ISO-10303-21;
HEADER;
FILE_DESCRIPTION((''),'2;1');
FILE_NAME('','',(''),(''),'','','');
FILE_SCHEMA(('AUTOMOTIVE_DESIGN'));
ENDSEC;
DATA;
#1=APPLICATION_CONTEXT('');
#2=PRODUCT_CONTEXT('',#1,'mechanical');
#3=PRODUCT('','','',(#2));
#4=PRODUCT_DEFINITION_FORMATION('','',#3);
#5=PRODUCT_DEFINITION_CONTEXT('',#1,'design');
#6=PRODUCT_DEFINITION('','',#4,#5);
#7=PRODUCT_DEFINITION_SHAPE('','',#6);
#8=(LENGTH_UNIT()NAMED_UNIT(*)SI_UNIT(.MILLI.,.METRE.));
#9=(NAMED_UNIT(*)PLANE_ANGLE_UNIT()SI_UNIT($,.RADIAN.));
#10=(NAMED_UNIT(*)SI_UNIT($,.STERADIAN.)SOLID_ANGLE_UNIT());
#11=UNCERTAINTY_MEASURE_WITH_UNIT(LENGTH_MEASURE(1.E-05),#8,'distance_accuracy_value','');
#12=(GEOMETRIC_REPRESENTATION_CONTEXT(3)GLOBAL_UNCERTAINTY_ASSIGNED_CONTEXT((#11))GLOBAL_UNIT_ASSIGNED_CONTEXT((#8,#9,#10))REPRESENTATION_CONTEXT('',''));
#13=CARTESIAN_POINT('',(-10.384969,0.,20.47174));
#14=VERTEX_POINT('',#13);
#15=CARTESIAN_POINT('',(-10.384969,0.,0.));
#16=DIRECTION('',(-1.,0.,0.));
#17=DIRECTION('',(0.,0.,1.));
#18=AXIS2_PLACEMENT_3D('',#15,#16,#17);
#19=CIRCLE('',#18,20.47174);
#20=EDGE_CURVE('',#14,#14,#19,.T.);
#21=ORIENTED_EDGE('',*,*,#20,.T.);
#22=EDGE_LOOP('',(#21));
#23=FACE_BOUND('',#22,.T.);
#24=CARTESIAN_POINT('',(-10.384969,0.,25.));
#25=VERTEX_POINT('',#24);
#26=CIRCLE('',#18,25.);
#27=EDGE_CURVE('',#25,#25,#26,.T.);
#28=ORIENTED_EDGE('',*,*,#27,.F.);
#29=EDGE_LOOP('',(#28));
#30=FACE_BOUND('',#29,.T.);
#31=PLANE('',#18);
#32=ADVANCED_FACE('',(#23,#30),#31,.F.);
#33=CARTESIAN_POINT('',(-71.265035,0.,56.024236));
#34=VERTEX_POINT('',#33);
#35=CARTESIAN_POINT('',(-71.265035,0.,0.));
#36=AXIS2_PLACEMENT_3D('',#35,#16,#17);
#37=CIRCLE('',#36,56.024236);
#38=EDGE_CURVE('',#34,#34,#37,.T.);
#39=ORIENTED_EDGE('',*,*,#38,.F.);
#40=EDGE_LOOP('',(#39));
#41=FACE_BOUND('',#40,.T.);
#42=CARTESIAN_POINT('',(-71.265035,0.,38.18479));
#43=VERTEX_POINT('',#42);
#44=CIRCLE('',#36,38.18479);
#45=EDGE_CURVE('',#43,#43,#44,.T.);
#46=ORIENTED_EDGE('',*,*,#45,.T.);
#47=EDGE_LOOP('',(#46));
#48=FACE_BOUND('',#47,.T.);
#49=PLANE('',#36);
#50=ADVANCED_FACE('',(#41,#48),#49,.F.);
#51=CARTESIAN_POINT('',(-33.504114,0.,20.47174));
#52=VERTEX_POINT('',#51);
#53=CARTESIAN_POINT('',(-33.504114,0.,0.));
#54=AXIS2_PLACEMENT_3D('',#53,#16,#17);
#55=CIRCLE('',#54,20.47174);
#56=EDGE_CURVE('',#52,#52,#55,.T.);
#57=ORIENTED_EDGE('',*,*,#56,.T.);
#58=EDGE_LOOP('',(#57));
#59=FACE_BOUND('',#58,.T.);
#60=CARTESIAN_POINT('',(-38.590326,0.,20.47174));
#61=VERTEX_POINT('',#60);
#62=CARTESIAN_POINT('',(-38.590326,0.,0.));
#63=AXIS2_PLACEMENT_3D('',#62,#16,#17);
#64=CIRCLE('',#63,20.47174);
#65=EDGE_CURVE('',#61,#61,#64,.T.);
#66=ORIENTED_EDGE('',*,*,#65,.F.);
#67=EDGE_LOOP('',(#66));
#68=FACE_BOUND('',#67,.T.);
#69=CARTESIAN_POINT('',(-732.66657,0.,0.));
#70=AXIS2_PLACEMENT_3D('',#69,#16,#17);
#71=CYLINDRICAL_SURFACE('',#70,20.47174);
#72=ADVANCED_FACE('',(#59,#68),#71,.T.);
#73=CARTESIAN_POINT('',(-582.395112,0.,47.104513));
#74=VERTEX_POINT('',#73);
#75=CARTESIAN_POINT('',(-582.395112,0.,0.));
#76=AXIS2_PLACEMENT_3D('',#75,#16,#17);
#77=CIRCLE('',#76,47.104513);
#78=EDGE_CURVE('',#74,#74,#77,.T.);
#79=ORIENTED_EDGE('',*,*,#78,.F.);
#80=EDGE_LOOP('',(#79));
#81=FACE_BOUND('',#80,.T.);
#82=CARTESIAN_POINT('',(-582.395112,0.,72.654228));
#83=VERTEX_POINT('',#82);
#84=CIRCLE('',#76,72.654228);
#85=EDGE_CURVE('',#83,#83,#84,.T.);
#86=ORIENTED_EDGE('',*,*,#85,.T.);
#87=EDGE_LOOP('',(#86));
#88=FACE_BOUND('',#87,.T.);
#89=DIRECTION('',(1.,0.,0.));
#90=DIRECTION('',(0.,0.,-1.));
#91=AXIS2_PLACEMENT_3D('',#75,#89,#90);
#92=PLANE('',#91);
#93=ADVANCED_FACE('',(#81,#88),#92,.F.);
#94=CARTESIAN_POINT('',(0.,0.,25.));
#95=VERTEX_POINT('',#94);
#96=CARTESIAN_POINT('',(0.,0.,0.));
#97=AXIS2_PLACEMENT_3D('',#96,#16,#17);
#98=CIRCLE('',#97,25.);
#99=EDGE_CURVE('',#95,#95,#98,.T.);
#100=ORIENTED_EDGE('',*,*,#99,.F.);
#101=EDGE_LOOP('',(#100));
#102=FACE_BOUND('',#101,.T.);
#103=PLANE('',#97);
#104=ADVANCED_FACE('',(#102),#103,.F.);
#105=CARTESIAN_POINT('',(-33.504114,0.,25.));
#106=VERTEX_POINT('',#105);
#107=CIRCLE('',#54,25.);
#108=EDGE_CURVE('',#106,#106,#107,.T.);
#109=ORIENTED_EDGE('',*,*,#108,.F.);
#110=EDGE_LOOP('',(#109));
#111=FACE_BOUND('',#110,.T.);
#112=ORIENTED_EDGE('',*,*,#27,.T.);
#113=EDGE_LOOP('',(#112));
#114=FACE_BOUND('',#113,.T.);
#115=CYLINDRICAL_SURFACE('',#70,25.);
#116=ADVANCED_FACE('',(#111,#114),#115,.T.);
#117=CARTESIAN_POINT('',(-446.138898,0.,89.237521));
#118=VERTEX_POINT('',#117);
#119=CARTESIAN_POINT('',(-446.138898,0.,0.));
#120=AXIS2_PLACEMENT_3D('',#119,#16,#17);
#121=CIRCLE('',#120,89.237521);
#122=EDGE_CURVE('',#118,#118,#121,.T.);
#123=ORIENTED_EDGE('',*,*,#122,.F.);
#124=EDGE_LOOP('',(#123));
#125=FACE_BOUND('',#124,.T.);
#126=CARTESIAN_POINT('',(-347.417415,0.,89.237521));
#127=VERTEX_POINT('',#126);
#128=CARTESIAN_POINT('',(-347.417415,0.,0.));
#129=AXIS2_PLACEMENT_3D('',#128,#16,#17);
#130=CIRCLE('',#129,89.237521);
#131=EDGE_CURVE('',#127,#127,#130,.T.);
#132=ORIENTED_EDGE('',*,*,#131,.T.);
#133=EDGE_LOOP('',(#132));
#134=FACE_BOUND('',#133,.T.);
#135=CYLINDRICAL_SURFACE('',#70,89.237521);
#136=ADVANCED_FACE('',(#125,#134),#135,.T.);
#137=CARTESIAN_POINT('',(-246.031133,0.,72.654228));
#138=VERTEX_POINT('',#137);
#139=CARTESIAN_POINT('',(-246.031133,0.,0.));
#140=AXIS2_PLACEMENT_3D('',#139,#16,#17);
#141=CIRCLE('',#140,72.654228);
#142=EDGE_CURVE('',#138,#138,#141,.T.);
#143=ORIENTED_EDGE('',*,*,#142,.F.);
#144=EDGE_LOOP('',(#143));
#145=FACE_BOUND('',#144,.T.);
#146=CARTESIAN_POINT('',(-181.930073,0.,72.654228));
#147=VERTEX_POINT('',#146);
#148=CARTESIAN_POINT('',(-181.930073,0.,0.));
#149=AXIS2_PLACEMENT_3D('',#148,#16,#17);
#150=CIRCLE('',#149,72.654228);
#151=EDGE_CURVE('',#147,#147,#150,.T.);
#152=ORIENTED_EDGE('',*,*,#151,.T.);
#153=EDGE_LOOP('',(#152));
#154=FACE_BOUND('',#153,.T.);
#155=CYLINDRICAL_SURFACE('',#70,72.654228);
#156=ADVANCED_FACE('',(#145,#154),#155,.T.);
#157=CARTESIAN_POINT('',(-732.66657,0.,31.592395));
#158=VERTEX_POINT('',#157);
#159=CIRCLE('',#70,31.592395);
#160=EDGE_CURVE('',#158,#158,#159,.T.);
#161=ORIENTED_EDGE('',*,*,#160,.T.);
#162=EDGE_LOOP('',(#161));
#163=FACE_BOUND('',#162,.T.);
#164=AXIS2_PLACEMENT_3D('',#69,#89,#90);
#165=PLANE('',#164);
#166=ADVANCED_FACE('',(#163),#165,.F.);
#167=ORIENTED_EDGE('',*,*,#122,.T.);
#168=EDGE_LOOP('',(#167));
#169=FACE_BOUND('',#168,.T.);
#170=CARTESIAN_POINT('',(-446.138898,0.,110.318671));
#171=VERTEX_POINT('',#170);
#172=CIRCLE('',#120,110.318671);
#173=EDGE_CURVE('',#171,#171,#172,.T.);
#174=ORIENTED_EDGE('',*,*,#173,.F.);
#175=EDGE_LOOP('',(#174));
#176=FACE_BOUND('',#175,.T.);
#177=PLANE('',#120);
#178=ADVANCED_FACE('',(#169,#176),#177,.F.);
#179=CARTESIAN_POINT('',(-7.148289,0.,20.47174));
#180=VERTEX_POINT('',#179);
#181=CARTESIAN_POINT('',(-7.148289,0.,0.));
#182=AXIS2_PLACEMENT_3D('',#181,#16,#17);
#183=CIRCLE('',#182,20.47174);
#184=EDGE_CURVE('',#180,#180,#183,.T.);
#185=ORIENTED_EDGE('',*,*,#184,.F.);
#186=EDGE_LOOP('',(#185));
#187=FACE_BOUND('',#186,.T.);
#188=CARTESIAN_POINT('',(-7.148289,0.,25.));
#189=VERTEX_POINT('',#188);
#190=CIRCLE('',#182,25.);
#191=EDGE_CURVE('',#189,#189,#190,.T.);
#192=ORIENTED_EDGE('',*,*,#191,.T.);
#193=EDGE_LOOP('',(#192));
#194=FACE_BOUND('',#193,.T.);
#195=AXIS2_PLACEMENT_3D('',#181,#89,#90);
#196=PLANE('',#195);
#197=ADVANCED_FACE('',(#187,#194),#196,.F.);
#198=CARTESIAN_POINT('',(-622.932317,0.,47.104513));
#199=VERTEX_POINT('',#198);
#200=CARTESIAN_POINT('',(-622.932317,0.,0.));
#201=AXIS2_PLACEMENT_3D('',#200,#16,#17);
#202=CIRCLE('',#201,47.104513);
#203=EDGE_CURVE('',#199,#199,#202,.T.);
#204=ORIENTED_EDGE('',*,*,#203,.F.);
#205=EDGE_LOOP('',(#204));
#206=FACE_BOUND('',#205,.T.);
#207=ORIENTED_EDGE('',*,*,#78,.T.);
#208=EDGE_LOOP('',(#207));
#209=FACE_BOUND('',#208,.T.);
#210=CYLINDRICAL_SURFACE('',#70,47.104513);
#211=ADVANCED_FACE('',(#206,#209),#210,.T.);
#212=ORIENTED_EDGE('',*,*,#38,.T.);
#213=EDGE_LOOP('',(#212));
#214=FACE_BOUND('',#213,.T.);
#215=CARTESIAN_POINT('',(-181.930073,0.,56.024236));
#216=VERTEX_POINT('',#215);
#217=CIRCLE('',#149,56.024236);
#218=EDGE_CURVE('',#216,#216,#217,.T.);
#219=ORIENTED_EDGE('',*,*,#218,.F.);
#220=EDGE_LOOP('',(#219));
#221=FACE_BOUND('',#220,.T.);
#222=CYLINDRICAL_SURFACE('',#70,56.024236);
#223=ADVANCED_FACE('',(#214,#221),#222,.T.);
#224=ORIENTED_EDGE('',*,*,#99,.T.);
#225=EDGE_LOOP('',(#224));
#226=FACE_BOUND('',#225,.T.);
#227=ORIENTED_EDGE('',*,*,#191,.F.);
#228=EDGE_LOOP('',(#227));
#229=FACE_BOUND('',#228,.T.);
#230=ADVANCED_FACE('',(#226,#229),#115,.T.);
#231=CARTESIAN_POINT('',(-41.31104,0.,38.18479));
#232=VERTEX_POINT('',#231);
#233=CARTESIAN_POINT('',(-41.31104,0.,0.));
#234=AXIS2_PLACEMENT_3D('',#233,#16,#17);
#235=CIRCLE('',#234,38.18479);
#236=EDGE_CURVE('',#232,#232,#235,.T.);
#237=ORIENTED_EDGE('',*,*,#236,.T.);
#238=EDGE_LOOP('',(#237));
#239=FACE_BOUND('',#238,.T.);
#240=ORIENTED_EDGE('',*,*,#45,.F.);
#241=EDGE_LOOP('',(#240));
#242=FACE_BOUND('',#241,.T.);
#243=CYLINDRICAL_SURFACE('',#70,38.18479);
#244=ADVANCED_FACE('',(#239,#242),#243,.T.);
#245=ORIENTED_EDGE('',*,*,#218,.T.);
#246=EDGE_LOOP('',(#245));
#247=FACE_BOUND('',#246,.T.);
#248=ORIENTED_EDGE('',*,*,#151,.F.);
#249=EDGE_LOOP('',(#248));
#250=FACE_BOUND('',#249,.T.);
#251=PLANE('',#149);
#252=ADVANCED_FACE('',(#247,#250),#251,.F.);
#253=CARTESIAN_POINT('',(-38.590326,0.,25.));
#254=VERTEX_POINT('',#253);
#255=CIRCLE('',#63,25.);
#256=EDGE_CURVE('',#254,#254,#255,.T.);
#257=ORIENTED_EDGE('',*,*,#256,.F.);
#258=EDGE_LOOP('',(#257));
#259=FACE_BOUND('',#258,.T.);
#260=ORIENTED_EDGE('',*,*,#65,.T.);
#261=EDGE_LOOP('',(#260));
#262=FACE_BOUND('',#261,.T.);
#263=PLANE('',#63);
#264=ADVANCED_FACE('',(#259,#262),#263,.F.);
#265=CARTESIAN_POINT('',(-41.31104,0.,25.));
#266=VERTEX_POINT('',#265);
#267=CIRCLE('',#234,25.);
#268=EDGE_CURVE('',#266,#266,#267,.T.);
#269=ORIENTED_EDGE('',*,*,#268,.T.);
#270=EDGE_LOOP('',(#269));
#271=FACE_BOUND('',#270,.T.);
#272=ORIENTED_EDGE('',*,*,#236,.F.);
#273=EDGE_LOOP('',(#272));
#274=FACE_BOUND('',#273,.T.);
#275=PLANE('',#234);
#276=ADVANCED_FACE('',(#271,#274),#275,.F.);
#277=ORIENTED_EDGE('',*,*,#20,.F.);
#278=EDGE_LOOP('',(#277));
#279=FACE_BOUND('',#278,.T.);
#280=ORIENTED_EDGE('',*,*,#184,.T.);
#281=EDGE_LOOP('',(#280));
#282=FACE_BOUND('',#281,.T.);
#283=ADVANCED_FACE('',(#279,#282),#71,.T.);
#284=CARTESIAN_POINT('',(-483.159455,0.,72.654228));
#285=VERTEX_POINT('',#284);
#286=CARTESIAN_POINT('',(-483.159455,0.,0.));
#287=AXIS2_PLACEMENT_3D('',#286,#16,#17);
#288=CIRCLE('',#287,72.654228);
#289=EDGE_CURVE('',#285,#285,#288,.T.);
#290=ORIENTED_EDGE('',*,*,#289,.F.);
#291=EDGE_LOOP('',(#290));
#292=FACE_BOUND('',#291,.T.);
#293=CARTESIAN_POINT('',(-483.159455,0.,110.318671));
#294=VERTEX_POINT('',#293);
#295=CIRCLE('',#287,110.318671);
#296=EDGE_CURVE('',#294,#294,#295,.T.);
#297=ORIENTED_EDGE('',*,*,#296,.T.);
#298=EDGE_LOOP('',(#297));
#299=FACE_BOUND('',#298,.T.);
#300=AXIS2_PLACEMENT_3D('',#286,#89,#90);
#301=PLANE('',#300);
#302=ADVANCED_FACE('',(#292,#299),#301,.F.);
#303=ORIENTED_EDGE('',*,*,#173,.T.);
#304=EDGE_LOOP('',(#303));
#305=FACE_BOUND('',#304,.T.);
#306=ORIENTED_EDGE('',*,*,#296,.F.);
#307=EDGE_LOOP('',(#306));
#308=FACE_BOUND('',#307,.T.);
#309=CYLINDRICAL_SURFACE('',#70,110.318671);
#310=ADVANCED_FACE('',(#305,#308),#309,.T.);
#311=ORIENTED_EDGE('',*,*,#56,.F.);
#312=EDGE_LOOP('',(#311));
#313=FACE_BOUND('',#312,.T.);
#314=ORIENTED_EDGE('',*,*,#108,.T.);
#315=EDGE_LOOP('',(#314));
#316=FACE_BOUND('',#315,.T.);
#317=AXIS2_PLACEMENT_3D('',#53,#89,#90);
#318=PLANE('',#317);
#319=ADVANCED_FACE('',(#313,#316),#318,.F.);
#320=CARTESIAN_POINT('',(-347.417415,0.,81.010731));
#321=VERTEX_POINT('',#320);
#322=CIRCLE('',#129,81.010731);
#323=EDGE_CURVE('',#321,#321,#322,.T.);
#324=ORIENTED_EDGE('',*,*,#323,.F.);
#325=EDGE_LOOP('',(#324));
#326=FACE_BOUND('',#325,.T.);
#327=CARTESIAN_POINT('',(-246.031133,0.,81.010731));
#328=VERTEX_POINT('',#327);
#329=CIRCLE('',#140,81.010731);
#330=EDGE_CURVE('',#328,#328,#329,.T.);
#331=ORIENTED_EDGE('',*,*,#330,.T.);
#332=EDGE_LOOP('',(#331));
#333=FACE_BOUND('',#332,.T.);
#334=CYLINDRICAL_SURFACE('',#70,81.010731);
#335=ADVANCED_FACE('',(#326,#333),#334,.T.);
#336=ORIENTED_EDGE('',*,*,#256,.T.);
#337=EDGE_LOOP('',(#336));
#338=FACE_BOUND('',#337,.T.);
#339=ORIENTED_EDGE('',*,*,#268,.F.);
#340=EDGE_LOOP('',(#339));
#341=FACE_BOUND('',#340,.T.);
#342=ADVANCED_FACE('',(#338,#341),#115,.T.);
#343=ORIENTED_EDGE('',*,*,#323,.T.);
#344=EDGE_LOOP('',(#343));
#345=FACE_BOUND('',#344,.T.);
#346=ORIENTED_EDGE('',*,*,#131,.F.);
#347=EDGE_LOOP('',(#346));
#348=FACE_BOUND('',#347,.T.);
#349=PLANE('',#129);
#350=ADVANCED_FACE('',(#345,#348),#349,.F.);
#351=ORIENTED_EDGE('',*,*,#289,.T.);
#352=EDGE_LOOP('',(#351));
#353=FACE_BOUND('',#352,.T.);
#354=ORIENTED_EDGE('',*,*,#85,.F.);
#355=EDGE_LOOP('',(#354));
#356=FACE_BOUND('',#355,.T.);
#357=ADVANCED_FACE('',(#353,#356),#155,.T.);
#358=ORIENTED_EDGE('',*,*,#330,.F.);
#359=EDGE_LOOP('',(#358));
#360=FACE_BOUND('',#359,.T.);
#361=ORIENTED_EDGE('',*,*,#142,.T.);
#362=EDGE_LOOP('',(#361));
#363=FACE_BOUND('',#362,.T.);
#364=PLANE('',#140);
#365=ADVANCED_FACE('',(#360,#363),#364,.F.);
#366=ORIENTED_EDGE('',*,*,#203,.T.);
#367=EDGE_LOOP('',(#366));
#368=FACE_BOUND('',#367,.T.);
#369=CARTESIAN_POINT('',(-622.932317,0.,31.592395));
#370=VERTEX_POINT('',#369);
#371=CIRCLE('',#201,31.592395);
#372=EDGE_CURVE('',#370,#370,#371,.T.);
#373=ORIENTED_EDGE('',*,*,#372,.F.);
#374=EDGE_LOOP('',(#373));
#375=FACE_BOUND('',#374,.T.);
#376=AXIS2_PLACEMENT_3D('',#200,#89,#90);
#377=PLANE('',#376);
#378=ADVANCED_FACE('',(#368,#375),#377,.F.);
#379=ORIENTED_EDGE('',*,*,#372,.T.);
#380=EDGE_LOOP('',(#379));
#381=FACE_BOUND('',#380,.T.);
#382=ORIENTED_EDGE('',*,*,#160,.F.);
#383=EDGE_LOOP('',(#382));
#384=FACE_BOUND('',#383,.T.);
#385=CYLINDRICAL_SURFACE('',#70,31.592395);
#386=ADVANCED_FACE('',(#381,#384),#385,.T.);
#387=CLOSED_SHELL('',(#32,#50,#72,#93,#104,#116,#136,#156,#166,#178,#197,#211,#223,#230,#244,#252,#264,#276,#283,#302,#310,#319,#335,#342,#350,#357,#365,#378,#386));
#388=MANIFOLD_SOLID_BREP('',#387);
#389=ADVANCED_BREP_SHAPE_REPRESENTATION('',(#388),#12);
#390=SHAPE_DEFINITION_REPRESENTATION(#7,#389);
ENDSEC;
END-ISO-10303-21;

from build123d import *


with BuildPart() as part:
    # Sketch1 → Revolve12 (revolve)
    with BuildSketch(Plane.XY, mode=Mode.PRIVATE) as revolve12_sk:
        Polygon((-622.932317141, 31.592394831), (-732.666569538, 31.592394831), (-732.666569538, 0), (0, 0), (0, 25), (-7.148288714, 25), (-7.148288714, 20.471740038), (-10.38496903, 20.471740038), (-10.38496903, 25), (-33.504114148, 25), (-33.504114148, 20.471740038), (-38.590326073, 20.471740038), (-38.590326073, 25), (-41.31104031, 25), (-41.31104031, 38.184789663), (-71.265035392, 38.184789663), (-71.265035392, 56.024235632), (-181.930073101, 56.024235632), (-181.930073101, 72.654227637), (-246.031133195, 72.654227637), (-246.031133195, 81.010731097), (-347.41741521, 81.010731097), (-347.41741521, 89.237521362), (-446.138898381, 89.237521362), (-446.138898381, 110.318671414), (-483.15945457, 110.318671414), (-483.15945457, 72.654227637), (-582.395112132, 72.654227637), (-582.395112132, 47.104512647), (-622.932317141, 47.104512647), align=None)
    revolve(revolve12_sk.sketch.rotate(Axis((-732.666569538, 0, 0), (1, 0, 0)), 90), axis=Axis((-732.666569538, 0, 0), (1, 0, 0)))


solid = part.part
